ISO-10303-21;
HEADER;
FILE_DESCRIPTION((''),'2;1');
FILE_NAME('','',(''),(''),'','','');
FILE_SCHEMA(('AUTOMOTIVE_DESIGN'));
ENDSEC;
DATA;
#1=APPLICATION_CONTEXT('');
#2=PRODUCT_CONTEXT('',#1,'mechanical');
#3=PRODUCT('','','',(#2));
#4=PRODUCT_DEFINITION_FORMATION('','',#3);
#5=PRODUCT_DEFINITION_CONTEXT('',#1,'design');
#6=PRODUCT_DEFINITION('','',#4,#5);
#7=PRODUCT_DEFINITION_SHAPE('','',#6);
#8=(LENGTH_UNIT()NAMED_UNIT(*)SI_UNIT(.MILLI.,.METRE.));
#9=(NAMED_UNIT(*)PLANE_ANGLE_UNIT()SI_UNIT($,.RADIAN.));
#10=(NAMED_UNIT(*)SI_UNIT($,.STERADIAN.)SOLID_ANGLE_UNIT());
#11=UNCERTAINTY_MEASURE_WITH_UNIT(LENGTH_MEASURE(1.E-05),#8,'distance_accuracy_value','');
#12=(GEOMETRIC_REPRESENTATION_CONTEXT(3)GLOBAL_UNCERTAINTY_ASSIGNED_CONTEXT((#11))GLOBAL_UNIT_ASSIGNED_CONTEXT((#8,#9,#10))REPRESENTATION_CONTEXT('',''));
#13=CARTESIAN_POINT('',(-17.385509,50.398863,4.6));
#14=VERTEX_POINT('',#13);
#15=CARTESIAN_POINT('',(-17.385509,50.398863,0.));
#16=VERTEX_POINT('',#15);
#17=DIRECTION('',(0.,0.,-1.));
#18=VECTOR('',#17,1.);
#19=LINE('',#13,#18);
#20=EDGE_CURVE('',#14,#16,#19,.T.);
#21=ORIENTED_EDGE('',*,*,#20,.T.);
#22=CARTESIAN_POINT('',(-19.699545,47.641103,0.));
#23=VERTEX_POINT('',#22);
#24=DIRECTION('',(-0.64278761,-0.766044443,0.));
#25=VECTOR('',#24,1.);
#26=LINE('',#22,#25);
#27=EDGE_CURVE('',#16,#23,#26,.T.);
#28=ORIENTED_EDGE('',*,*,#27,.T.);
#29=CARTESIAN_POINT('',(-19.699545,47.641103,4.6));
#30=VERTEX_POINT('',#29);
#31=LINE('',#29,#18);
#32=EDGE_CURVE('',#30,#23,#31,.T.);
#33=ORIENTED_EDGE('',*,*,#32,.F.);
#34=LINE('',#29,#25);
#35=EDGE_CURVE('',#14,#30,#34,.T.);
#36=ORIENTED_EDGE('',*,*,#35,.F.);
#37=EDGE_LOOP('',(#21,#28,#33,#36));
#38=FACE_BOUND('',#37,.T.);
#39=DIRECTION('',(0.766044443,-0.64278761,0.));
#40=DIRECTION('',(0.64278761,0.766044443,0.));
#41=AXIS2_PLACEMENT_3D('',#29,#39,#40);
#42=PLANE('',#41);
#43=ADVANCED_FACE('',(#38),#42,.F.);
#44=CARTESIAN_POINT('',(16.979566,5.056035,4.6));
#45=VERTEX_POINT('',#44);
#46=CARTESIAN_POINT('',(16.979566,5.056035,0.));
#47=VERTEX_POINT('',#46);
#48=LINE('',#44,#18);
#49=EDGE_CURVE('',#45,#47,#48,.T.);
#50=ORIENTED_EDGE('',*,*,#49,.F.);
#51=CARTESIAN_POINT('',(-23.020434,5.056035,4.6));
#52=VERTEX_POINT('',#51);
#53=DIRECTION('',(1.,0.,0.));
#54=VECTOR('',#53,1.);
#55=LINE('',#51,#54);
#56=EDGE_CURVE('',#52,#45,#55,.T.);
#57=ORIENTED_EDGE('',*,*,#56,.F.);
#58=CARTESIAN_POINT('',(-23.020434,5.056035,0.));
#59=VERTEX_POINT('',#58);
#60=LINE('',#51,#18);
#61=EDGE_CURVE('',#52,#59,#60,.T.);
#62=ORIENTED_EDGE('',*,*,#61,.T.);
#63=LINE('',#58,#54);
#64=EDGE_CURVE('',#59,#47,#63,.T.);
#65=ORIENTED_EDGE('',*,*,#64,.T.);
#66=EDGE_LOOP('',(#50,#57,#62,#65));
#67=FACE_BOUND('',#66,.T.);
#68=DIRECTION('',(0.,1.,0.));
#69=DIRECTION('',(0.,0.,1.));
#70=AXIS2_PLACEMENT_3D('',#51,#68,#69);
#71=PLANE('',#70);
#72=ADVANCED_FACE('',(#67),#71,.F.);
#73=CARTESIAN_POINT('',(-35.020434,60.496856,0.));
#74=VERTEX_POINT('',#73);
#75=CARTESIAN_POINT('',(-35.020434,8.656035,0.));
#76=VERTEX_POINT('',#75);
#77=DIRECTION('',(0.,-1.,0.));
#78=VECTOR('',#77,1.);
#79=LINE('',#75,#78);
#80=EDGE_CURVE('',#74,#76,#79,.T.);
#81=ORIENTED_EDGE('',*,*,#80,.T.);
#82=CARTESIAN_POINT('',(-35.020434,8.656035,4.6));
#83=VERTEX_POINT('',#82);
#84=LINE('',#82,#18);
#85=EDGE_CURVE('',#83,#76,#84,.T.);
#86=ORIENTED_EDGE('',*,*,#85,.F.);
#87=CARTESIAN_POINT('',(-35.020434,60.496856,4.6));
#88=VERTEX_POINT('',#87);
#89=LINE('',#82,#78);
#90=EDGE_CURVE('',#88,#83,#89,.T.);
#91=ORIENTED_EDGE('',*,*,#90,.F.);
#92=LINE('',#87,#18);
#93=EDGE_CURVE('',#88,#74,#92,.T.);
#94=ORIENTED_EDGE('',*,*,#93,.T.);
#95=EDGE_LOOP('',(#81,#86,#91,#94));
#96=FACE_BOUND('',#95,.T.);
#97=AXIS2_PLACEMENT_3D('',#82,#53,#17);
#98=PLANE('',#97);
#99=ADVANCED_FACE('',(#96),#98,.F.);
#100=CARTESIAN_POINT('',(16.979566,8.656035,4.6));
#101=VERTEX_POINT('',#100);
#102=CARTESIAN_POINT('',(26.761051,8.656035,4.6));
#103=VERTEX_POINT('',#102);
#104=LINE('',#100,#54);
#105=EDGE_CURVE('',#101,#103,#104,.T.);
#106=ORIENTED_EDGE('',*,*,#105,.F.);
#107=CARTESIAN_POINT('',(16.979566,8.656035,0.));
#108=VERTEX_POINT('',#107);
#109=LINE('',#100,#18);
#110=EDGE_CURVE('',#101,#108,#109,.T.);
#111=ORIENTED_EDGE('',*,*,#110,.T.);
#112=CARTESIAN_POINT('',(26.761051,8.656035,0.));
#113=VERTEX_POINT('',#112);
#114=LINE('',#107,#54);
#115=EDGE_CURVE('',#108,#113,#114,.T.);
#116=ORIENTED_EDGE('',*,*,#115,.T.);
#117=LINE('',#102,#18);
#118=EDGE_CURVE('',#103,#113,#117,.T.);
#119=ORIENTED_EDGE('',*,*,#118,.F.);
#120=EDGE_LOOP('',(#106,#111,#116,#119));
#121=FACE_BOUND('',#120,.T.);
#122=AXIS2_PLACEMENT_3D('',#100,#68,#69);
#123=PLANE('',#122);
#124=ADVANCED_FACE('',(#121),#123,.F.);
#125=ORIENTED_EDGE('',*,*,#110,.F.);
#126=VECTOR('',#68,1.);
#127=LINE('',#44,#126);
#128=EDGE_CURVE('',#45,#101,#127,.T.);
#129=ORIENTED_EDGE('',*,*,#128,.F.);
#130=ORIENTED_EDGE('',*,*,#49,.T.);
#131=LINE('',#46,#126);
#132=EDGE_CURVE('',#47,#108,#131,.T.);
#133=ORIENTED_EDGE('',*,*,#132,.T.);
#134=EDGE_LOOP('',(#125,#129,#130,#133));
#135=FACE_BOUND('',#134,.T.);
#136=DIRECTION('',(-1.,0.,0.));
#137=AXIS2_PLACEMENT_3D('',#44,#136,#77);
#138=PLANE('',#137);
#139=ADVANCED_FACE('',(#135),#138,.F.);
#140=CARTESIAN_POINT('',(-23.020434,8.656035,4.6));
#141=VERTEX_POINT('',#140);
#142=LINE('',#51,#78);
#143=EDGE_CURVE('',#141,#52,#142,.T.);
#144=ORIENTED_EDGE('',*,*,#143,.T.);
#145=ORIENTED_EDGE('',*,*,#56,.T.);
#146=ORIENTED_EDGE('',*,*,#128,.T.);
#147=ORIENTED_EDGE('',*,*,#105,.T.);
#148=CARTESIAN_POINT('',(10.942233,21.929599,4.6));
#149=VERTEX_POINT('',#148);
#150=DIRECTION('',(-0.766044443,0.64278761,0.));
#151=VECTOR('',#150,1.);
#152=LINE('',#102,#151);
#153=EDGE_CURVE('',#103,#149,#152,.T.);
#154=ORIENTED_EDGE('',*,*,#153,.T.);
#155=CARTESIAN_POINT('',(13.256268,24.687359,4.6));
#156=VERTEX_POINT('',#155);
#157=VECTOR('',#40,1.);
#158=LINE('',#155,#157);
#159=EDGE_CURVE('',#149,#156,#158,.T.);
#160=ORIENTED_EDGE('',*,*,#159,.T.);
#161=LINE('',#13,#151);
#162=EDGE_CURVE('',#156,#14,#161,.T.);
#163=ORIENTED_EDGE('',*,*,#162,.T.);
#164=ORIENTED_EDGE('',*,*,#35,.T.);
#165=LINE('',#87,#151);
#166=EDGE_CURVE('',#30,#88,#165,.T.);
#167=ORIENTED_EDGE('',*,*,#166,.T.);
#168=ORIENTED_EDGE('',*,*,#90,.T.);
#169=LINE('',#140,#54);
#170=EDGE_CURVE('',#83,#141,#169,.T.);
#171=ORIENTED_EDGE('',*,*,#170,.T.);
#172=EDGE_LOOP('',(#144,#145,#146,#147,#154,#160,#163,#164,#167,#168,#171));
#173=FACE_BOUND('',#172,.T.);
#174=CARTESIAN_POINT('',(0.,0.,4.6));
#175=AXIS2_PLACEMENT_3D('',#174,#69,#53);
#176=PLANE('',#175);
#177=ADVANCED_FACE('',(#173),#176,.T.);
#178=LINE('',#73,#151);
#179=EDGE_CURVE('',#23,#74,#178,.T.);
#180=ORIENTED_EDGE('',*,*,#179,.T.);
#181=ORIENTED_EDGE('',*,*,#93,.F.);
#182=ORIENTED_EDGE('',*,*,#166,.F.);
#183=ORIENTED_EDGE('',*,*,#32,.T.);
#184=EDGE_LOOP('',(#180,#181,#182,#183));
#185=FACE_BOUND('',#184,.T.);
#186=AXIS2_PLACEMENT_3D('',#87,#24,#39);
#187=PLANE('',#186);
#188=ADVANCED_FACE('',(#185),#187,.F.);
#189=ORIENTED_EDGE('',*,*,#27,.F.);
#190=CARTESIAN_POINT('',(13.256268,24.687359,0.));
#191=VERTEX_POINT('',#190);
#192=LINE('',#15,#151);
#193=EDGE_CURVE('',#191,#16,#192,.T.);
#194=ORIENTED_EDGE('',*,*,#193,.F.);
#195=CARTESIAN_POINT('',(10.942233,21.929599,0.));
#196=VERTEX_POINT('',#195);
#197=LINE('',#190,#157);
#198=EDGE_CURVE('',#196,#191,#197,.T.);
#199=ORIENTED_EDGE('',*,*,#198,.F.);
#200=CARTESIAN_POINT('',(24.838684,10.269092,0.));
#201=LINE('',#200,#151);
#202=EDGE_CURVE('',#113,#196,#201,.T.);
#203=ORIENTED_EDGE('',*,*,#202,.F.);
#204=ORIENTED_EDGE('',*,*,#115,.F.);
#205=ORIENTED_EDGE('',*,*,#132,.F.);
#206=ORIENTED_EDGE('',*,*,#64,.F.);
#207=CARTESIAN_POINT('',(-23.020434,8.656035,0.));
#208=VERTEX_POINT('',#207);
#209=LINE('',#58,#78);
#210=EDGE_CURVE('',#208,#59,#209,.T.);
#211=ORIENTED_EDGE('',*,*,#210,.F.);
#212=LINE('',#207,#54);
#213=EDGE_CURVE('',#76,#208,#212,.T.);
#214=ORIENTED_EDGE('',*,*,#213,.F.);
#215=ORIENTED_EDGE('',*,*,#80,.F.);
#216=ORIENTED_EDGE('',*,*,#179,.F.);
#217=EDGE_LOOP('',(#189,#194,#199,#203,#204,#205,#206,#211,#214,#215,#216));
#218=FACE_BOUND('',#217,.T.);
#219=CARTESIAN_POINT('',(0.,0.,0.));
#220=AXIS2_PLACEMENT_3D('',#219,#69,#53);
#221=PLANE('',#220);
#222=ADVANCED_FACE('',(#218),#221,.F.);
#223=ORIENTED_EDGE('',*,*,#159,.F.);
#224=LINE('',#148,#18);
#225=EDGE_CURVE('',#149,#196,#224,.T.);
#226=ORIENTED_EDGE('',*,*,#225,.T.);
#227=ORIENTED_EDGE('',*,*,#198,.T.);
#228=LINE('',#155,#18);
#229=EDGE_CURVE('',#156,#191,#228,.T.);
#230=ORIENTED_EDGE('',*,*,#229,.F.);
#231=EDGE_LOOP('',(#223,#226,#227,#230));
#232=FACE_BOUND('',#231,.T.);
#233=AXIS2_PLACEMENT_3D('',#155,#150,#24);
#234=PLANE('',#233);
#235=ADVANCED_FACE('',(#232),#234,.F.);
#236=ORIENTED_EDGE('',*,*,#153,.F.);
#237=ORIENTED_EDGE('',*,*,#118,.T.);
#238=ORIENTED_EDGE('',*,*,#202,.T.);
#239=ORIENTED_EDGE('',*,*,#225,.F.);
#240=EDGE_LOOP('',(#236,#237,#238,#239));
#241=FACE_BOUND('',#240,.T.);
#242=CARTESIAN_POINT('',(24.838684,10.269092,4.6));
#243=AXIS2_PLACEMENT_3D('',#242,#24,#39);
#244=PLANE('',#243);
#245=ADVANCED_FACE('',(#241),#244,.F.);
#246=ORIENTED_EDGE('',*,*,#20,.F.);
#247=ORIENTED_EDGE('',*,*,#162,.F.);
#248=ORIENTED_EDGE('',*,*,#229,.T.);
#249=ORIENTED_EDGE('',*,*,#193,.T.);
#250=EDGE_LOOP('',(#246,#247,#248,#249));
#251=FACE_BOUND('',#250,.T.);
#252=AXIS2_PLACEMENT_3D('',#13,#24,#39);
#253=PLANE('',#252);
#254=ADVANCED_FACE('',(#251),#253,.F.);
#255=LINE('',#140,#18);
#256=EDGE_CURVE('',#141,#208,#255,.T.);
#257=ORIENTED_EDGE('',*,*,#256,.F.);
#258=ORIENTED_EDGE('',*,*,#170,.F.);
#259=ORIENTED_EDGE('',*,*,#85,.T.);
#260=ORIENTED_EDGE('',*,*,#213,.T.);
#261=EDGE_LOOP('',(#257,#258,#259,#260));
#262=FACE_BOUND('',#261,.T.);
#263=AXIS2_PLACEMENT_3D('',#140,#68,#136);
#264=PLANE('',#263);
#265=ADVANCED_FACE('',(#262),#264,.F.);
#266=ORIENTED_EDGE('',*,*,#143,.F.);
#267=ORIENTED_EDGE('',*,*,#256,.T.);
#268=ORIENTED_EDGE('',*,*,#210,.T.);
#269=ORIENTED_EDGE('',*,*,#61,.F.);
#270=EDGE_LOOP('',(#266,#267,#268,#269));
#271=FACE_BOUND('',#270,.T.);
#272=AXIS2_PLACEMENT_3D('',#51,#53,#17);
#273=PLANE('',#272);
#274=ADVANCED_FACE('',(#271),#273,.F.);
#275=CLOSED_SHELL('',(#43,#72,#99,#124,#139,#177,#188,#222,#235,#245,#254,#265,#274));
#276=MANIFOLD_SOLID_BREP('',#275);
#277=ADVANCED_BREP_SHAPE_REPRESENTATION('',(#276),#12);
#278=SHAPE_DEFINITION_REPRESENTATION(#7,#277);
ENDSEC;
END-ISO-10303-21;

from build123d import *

# Parameters (mm, degrees)
EXTRUDE_1_DEPTH = 4.6


with BuildPart() as part:
    # 草图1 → 凸台-拉伸1 (new body)
    with BuildSketch(Plane.XY):
        Polygon((-23.020433608, 5.056034895), (-23.020433608, 8.656034895), (-35.020433608, 8.656034895), (-35.020433608, 60.496855616), (-19.699544746, 47.641103423), (-17.385509351, 50.398863418), (13.256268374, 24.687359031), (10.942232979, 21.929599035), (24.83868432, 10.26909184), (25.702528361, 9.544240624), (26.761050729, 8.656034895), (16.979566392, 8.656034895), (16.979566392, 5.056034895), align=None)
    extrude(amount=EXTRUDE_1_DEPTH)


solid = part.part
